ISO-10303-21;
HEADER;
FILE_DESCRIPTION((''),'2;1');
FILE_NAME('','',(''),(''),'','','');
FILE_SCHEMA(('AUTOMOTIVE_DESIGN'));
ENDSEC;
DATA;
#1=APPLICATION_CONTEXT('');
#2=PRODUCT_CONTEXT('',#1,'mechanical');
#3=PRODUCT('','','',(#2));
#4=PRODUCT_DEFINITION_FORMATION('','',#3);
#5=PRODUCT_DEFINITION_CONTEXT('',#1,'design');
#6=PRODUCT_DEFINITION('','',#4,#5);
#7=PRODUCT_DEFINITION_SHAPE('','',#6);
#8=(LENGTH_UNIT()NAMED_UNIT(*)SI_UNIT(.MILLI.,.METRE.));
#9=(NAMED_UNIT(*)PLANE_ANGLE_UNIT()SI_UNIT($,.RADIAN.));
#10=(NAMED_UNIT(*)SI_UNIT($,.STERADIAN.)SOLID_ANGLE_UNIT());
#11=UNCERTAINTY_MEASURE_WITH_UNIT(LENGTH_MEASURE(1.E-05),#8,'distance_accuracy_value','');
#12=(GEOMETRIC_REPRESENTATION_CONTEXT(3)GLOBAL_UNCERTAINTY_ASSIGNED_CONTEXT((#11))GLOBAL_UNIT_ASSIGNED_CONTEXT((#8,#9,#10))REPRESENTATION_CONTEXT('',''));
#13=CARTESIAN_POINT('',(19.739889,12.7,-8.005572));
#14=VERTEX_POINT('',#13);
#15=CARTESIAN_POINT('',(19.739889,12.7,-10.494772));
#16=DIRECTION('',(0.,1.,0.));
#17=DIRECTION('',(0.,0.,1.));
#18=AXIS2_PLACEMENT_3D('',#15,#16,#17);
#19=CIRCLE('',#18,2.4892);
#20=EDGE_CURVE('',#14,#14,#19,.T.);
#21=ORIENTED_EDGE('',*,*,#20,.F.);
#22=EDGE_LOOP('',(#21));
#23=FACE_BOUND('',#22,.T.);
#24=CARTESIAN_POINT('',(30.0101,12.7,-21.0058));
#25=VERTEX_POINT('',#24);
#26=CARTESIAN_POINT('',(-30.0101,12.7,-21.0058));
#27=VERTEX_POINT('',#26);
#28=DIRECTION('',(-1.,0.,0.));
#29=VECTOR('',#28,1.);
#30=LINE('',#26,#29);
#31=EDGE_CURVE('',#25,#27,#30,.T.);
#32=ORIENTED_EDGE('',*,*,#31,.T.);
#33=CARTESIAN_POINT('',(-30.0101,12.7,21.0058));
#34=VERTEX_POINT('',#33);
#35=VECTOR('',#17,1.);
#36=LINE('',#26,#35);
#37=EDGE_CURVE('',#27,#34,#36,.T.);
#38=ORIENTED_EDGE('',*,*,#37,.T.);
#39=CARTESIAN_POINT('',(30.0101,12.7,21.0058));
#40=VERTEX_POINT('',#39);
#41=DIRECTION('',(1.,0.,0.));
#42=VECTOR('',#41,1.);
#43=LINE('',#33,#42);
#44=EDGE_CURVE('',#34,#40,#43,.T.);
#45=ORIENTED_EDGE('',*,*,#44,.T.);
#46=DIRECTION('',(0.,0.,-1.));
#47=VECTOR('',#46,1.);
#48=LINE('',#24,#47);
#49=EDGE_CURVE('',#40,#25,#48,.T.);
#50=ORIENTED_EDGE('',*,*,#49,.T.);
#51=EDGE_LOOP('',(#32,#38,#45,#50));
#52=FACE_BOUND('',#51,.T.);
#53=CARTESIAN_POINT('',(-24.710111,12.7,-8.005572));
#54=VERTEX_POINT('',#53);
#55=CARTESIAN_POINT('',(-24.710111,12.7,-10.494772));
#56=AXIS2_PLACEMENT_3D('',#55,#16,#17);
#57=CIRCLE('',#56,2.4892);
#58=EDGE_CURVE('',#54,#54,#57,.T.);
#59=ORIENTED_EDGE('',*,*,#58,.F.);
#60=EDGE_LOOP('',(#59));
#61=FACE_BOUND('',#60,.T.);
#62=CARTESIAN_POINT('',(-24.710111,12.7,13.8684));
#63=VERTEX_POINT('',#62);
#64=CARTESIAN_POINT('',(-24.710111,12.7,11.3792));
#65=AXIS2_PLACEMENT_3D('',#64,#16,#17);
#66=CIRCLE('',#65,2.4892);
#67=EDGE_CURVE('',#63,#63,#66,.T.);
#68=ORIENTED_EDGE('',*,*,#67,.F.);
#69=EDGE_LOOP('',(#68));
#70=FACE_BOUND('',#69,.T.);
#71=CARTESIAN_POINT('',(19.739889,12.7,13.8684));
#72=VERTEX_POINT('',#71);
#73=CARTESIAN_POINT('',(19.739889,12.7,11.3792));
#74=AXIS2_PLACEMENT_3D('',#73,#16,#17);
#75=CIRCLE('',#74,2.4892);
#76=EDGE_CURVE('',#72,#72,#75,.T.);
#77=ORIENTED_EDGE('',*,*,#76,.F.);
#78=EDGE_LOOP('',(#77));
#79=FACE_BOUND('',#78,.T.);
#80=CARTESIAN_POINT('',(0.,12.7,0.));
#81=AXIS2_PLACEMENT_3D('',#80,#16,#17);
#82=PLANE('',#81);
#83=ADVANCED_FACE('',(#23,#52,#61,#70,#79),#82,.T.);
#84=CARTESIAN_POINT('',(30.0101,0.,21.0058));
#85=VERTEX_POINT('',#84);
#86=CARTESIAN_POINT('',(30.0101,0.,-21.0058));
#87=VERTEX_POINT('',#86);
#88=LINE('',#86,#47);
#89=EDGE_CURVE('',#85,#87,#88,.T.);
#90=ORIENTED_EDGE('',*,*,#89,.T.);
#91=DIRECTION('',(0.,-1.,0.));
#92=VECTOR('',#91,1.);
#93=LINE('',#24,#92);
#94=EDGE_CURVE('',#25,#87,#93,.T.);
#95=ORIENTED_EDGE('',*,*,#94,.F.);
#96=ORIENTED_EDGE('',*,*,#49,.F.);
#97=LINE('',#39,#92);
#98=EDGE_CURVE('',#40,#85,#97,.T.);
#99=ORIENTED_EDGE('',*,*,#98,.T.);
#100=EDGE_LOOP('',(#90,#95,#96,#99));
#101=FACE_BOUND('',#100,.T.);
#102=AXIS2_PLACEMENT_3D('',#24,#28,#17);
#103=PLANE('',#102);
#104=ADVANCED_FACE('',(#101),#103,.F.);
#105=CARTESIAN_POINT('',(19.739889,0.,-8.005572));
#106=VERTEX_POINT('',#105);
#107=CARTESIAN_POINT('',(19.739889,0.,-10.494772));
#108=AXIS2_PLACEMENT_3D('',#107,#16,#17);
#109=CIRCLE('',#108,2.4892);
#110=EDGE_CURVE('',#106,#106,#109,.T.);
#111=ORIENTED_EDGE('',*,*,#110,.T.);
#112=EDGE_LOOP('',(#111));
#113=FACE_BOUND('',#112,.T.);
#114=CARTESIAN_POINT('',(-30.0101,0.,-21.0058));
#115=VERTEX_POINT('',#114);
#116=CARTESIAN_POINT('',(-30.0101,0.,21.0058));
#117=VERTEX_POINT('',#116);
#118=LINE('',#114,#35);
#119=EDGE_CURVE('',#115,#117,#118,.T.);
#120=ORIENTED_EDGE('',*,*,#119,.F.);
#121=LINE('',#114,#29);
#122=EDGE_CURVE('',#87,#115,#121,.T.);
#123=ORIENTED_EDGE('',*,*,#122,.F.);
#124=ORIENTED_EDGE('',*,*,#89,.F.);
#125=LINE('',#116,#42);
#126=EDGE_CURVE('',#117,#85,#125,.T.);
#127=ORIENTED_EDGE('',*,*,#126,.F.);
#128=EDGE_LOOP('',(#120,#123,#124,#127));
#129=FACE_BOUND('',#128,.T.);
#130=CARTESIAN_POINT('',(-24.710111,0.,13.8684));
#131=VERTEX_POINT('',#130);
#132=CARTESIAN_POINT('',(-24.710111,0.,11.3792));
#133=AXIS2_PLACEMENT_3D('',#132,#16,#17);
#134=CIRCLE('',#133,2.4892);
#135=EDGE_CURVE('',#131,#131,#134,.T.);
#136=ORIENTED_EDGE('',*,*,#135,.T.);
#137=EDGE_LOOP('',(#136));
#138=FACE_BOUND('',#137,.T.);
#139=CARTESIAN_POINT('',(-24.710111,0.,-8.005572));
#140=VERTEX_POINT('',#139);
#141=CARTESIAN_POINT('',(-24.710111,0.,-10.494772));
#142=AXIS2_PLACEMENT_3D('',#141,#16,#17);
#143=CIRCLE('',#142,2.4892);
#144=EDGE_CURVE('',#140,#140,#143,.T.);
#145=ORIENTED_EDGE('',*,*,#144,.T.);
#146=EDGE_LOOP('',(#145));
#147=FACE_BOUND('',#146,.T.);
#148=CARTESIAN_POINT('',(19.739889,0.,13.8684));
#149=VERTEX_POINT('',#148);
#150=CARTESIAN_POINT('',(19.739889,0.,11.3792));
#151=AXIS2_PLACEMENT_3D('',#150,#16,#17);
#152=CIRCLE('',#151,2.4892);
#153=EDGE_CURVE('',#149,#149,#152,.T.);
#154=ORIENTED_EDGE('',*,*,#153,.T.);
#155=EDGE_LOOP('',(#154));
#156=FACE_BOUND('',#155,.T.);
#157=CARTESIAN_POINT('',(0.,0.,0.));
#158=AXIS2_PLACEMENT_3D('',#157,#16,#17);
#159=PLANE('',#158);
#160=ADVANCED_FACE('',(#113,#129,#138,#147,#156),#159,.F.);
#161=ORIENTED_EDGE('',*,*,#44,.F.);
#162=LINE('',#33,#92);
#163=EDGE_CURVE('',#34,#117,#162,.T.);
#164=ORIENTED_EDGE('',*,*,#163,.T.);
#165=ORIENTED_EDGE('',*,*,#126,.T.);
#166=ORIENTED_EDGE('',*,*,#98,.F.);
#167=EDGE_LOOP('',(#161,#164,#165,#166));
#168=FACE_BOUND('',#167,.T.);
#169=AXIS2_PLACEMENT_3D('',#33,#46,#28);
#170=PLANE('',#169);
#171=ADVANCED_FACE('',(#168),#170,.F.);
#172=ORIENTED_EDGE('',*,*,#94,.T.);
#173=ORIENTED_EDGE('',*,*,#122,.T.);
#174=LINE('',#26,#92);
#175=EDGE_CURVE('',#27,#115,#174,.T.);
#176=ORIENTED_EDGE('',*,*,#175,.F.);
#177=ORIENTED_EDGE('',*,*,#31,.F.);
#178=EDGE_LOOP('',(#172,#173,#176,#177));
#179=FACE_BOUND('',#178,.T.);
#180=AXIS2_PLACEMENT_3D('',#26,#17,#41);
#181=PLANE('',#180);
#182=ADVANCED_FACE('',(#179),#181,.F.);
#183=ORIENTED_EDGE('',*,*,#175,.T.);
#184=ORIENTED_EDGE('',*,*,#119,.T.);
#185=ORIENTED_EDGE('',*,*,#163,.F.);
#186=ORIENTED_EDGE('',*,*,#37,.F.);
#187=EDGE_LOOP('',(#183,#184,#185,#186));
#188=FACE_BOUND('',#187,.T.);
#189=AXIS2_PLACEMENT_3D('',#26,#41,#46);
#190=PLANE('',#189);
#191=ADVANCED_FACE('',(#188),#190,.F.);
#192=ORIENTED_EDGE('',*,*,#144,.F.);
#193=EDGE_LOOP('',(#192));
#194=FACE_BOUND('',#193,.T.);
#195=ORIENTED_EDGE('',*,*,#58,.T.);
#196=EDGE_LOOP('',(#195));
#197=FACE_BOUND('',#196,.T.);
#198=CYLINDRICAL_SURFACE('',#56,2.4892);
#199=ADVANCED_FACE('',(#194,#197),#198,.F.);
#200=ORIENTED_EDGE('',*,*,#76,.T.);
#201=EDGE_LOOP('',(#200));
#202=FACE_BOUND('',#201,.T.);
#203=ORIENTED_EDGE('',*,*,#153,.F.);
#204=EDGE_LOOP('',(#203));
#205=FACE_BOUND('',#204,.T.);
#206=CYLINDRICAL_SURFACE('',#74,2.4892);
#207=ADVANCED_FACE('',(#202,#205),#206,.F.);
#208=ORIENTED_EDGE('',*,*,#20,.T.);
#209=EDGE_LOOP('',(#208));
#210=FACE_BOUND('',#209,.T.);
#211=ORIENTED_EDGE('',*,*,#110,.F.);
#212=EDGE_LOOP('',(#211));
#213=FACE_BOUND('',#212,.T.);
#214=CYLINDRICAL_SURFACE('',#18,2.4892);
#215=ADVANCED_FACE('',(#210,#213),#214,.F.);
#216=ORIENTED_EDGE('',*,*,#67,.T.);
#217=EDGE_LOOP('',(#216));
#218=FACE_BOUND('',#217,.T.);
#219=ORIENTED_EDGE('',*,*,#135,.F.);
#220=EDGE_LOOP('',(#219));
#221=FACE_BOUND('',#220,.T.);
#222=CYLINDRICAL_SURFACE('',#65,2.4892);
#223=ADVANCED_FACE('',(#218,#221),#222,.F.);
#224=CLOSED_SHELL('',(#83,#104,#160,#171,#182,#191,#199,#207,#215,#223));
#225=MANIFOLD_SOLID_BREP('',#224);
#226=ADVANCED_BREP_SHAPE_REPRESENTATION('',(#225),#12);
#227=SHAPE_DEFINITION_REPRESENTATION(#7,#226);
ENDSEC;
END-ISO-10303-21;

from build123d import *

# Parameters (mm, degrees)
SKETCH1_W              = 60.0202
SKETCH1_H              = 42.0116
BOSS_EXTRUDE1_DEPTH    = 12.7
F_10_CLEARANCE_HOLE1_D = 4.9784


with BuildPart() as part:
    # Sketch1 → Boss-Extrude1 (new body)
    with BuildSketch(Plane(origin=(0, 0, 0), x_dir=(1, 0, 0), z_dir=(0, 1, 0))):
        Rectangle(SKETCH1_W, SKETCH1_H)
    extrude(amount=BOSS_EXTRUDE1_DEPTH)

    # #10 Clearance Hole1 (through all)
    with Locations(Plane(origin=(0, 12.7, 0), x_dir=(1, 0, 0), z_dir=(0, 1, 0))):
        with Locations((-24.7101106, 10.494772), (-24.7101106, -11.3792), (19.7398894, -11.3792), (19.7398894, 10.494772)):
            Hole(F_10_CLEARANCE_HOLE1_D / 2)


solid = part.part
